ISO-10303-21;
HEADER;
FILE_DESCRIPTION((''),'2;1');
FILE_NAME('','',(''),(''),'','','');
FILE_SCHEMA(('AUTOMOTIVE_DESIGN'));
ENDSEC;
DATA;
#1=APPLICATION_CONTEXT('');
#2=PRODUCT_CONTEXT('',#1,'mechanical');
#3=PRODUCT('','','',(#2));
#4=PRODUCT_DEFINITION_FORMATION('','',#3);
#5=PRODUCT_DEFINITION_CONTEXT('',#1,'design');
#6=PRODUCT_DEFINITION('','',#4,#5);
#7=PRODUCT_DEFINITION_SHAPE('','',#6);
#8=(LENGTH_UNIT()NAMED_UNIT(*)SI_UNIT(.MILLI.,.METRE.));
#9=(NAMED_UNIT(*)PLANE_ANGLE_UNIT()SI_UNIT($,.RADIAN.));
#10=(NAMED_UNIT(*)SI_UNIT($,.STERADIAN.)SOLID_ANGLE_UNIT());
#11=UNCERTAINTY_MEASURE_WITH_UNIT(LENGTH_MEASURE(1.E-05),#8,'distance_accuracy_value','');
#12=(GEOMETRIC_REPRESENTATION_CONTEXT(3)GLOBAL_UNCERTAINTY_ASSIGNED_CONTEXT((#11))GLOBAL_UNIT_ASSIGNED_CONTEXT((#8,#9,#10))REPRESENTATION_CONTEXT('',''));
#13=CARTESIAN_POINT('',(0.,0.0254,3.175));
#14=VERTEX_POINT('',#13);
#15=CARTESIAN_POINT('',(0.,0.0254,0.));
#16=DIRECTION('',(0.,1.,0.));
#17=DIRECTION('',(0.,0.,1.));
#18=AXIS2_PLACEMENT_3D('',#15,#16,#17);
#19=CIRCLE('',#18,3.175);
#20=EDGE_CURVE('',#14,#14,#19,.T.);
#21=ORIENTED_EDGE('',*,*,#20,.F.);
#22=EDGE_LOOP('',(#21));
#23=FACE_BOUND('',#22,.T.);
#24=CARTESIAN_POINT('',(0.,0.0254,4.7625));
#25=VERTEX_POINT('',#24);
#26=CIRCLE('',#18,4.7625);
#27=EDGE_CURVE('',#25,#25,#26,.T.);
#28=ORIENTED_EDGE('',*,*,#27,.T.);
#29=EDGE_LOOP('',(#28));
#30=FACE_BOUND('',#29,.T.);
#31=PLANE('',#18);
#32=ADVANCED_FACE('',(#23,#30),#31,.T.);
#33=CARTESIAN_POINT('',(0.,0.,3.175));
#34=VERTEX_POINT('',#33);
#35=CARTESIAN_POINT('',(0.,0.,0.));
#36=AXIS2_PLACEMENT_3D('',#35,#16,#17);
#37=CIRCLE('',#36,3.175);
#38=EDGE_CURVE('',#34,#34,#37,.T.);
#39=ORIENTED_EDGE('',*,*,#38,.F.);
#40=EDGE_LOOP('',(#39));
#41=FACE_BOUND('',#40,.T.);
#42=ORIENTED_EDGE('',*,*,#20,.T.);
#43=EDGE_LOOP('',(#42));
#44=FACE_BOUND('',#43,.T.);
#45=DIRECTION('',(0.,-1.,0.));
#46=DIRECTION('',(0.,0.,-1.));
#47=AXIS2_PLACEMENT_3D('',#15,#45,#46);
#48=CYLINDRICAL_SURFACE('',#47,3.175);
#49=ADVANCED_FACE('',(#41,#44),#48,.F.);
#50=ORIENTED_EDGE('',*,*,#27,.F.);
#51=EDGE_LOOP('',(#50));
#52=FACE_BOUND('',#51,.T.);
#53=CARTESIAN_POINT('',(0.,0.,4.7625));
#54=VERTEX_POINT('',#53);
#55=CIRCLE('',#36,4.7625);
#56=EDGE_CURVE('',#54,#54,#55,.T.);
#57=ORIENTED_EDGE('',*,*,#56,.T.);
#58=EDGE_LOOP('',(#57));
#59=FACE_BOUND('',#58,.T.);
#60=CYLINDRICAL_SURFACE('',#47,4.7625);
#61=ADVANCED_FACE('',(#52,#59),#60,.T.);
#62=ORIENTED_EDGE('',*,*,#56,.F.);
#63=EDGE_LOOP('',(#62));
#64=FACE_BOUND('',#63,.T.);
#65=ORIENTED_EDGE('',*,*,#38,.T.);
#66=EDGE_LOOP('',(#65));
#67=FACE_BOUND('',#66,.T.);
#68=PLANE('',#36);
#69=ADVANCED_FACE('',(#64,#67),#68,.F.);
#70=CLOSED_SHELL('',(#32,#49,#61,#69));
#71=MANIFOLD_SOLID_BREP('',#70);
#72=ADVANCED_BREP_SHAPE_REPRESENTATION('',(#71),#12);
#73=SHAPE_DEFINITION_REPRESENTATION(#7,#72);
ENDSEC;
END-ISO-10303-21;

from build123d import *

# Parameters (mm, degrees)
SKETCH1_R           = 4.7625
SKETCH1_R_2         = 3.175
BOSS_EXTRUDE1_DEPTH = 0.0254


with BuildPart() as part:
    # Sketch1 → Boss-Extrude1 (new body)
    with BuildSketch(Plane(origin=(0, 0, 0), x_dir=(1, 0, 0), z_dir=(0, 1, 0))):
        with Locations(Location((0, 0, 0), (0, 0, 270))):
            Circle(SKETCH1_R)
        with Locations(Location((0, 0, 0), (0, 0, 270))):
            Circle(SKETCH1_R_2, mode=Mode.SUBTRACT)
    extrude(amount=BOSS_EXTRUDE1_DEPTH)


solid = part.part
